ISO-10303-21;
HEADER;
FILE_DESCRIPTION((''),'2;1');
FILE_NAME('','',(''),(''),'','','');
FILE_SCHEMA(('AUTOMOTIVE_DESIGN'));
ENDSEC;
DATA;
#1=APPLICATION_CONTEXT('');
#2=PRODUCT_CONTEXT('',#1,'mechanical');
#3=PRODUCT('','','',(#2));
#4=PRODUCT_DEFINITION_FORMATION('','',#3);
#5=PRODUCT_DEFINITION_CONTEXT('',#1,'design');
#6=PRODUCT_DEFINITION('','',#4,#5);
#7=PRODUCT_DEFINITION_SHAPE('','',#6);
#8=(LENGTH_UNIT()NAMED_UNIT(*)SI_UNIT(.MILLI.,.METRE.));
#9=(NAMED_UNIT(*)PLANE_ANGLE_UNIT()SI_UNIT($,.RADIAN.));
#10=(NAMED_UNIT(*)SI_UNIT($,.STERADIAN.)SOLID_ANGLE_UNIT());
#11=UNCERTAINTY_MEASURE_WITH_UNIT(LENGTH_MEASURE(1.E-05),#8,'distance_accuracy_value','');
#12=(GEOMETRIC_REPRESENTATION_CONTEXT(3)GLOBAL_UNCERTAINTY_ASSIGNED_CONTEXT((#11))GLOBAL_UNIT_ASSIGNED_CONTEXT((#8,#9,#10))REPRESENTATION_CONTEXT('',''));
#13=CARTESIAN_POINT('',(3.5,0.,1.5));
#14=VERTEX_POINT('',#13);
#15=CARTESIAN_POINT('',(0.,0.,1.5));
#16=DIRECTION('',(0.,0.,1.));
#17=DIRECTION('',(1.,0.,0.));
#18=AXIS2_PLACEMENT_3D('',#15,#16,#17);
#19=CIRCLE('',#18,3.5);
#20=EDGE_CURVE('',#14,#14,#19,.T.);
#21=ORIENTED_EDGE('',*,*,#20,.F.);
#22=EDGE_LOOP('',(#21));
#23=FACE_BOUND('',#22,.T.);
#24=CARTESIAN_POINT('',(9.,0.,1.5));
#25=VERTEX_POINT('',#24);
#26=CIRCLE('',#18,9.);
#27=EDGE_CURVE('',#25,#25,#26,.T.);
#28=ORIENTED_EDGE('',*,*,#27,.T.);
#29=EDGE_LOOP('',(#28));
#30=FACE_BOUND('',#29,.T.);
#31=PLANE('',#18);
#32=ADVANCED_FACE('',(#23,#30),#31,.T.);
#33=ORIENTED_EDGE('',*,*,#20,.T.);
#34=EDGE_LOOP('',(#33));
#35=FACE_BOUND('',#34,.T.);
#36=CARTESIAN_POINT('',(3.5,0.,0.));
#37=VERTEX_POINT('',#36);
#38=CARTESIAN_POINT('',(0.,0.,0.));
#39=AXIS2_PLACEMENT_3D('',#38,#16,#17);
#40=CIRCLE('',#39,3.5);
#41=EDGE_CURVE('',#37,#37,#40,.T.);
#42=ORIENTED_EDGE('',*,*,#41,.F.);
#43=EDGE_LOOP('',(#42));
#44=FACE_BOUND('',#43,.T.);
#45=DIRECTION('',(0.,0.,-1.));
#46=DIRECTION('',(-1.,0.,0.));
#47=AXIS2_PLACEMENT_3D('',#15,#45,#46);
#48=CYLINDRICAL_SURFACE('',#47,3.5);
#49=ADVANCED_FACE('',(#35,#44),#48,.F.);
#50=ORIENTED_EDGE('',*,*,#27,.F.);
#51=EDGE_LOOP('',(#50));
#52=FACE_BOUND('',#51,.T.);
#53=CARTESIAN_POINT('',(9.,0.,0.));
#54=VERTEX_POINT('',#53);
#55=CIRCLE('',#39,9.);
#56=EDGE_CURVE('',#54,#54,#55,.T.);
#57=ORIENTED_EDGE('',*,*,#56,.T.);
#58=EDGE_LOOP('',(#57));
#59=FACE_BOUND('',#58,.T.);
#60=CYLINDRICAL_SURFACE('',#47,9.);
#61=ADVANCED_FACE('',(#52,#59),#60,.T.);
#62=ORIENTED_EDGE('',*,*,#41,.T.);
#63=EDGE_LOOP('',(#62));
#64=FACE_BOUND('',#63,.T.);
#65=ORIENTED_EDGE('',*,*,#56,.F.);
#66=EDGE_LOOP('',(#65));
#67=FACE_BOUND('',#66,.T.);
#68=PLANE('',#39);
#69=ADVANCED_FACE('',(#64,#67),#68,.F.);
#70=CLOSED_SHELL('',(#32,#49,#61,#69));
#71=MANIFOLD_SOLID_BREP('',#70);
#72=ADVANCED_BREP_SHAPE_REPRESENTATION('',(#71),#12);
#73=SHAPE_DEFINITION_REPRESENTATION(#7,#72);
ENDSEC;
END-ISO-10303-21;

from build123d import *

# Parameters (mm, degrees)
SKETCH_1_R      = 9
SKETCH_1_R_2    = 3.5
EXTRUDE_1_DEPTH = 1.5


with BuildPart() as part:
    # Эскиз1 → Вытянуть1 (new body)
    with BuildSketch(Plane.XY):
        Circle(SKETCH_1_R)
        Circle(SKETCH_1_R_2, mode=Mode.SUBTRACT)
    extrude(amount=EXTRUDE_1_DEPTH)


solid = part.part
